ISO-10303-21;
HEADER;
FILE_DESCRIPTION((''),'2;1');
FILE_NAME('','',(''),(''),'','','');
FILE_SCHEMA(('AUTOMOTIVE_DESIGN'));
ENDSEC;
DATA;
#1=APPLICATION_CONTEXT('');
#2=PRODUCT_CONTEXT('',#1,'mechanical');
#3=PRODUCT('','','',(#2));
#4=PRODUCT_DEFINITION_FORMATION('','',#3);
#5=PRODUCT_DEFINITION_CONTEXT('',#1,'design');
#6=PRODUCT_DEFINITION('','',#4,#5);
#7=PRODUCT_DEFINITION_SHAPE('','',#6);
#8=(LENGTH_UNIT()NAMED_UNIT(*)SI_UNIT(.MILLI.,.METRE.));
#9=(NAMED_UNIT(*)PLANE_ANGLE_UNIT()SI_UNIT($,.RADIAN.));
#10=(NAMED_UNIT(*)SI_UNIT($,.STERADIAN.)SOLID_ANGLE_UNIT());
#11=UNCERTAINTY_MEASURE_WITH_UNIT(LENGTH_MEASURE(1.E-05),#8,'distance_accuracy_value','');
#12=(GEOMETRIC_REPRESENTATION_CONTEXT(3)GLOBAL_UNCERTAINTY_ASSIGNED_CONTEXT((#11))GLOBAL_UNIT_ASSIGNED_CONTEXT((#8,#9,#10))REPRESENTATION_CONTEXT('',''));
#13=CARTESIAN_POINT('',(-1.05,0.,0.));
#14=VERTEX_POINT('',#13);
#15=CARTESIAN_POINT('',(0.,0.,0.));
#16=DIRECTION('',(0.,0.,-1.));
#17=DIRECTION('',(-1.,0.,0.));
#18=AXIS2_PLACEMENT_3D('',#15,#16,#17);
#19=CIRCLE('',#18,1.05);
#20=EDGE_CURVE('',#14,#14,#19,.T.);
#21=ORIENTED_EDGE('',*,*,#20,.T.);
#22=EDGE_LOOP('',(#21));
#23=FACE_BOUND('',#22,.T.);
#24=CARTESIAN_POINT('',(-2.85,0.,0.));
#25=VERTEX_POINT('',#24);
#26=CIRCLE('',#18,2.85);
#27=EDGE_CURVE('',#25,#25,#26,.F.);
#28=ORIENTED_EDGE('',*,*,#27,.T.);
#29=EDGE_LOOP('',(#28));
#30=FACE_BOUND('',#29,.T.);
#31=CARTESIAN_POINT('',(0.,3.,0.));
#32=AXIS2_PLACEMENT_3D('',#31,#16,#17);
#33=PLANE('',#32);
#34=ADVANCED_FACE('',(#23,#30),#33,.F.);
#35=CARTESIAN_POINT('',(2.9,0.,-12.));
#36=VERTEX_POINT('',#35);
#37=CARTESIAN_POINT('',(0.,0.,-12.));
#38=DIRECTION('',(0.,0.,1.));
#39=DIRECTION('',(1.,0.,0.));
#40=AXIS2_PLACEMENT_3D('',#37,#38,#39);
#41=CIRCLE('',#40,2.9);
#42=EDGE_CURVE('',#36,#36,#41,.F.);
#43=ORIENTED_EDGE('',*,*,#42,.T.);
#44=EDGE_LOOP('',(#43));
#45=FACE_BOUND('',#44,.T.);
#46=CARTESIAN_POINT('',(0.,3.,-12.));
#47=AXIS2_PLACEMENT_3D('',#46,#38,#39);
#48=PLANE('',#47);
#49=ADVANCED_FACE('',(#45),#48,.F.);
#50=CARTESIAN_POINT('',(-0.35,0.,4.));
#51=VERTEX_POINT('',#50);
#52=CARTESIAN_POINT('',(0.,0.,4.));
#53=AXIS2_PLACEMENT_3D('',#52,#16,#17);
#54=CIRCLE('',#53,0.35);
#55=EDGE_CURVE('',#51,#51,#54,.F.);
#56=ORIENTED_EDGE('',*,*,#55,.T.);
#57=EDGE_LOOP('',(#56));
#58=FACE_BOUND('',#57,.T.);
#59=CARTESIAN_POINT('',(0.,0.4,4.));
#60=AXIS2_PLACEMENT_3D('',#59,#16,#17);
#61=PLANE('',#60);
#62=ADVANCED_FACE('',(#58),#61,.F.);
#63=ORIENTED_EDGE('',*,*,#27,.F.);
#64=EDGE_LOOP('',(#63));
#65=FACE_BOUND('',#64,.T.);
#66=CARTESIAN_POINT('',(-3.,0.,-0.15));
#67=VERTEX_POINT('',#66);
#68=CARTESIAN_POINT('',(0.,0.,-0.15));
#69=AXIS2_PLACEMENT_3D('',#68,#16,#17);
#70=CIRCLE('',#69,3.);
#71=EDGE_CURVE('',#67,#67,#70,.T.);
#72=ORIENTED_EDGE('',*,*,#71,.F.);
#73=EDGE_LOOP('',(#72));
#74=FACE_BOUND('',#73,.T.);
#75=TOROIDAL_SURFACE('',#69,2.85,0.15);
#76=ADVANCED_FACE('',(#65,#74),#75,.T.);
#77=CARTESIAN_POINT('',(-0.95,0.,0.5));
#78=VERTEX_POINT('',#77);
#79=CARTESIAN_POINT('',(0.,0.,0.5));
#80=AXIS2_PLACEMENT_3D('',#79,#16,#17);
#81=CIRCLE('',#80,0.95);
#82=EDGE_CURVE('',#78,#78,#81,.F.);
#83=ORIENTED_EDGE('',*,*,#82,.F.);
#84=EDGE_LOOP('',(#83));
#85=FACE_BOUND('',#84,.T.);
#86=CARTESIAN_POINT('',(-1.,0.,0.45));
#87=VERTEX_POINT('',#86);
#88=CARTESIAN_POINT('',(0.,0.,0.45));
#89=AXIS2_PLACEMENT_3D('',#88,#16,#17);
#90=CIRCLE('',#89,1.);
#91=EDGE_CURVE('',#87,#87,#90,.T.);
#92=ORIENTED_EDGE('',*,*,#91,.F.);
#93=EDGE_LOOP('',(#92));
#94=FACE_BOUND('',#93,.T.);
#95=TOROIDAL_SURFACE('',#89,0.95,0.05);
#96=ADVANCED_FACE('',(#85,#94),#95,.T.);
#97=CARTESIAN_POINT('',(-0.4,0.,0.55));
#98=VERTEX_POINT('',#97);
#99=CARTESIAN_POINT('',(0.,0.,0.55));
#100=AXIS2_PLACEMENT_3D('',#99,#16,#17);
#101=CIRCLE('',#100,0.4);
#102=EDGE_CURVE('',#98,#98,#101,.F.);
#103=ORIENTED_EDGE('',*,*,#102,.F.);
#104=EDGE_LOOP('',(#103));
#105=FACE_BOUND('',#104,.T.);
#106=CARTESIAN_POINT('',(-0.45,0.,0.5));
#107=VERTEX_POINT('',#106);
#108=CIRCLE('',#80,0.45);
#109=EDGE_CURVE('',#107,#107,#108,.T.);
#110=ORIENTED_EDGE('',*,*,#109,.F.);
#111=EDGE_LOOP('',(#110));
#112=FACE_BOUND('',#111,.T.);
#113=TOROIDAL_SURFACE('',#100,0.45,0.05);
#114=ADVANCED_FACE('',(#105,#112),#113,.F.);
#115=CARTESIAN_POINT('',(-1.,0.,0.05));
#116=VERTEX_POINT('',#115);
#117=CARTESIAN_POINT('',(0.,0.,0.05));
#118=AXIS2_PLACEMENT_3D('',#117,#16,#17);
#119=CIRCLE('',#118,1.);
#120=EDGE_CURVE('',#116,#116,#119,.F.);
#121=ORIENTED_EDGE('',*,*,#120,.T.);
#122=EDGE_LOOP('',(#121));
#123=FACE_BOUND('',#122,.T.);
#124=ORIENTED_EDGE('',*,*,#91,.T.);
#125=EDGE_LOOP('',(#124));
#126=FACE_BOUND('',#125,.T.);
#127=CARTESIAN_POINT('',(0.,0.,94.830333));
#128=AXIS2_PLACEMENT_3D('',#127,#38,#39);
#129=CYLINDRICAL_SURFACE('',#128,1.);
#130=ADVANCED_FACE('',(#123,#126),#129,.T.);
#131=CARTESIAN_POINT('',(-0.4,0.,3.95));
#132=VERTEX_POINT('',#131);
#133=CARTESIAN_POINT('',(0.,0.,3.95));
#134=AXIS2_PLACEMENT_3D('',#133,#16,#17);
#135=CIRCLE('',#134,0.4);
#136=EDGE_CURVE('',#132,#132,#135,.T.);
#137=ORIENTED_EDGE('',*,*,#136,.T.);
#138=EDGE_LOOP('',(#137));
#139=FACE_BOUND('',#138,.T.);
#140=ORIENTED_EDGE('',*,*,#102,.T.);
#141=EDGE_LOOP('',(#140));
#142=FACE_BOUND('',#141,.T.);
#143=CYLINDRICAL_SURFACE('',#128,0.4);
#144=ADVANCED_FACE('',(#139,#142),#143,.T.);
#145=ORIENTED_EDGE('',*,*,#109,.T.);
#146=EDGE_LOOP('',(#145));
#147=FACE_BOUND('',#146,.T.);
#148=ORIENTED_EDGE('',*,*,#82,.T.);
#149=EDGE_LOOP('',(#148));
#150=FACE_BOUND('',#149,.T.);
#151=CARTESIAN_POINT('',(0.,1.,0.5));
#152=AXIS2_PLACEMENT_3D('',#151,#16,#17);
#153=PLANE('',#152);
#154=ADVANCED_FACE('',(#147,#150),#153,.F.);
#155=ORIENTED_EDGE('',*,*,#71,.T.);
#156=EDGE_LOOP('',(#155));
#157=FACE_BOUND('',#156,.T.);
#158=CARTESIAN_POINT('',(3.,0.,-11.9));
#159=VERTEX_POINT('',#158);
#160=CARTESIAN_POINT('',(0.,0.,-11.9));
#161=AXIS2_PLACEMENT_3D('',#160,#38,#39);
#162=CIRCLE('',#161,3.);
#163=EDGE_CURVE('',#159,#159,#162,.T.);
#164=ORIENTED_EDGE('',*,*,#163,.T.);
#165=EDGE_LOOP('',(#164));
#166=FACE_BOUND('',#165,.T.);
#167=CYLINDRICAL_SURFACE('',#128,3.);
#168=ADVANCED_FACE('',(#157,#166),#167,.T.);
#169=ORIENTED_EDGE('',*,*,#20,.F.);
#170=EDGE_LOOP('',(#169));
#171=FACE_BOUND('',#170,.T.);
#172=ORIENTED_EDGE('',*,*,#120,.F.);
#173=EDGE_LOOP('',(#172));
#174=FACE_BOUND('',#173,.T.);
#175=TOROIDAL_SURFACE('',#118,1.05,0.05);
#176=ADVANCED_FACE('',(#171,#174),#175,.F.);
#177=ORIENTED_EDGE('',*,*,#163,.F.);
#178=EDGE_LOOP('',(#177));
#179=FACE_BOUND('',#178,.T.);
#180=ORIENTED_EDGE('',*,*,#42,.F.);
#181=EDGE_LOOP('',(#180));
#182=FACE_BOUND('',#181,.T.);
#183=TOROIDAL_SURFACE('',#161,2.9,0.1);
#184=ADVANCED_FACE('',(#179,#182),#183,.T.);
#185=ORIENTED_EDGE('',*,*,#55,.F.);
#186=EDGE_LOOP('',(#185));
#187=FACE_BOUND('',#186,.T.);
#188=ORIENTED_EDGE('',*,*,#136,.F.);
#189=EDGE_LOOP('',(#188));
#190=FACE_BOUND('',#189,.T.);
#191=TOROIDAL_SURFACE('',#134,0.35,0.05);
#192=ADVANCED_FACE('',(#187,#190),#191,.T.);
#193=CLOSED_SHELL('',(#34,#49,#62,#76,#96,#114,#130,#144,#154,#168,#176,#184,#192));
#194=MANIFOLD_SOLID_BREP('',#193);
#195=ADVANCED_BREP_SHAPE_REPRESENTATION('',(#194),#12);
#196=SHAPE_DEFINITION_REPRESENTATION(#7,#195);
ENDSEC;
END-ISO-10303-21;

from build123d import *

# Parameters (mm, degrees)
FILLET1_R = 0.05
FILLET3_R = 0.15
FILLET4_R = 0.1


with BuildPart() as part:
    # Sketch1 → Revolve1 (revolve)
    with BuildSketch(Plane(origin=(0, 0, 0), x_dir=(0, 0, -1), z_dir=(1, 0, 0)), mode=Mode.PRIVATE) as revolve1_sk:
        Polygon((0, 3), (12, 3), (12, 0), (-4, 0), (-4, 0.4), (-0.5, 0.4), (-0.5, 1), (0, 1), align=None)
    revolve(revolve1_sk.sketch.rotate(Axis((0, 0, 94.83033259), (0, 0, -1)), 90), axis=Axis((0, 0, 94.83033259), (0, 0, -1)))

    # Fillet1
    fillet1_edges = [part.edges().sort_by_distance(p)[0] for p in [
        (-1, 0, 0),
        (-1, 0, 0.5),
        (-0.4, 0, 0.5),
        (-0.4, 0, 4),
    ]]
    fillet(fillet1_edges, radius=FILLET1_R)

    # Fillet3
    fillet3_edges = [part.edges().sort_by_distance(p)[0] for p in [
        (-3, 0, 0),
    ]]
    fillet(fillet3_edges, radius=FILLET3_R)

    # Fillet4
    fillet4_edges = [part.edges().sort_by_distance(p)[0] for p in [
        (-3, 0, -12),
    ]]
    fillet(fillet4_edges, radius=FILLET4_R)


solid = part.part
